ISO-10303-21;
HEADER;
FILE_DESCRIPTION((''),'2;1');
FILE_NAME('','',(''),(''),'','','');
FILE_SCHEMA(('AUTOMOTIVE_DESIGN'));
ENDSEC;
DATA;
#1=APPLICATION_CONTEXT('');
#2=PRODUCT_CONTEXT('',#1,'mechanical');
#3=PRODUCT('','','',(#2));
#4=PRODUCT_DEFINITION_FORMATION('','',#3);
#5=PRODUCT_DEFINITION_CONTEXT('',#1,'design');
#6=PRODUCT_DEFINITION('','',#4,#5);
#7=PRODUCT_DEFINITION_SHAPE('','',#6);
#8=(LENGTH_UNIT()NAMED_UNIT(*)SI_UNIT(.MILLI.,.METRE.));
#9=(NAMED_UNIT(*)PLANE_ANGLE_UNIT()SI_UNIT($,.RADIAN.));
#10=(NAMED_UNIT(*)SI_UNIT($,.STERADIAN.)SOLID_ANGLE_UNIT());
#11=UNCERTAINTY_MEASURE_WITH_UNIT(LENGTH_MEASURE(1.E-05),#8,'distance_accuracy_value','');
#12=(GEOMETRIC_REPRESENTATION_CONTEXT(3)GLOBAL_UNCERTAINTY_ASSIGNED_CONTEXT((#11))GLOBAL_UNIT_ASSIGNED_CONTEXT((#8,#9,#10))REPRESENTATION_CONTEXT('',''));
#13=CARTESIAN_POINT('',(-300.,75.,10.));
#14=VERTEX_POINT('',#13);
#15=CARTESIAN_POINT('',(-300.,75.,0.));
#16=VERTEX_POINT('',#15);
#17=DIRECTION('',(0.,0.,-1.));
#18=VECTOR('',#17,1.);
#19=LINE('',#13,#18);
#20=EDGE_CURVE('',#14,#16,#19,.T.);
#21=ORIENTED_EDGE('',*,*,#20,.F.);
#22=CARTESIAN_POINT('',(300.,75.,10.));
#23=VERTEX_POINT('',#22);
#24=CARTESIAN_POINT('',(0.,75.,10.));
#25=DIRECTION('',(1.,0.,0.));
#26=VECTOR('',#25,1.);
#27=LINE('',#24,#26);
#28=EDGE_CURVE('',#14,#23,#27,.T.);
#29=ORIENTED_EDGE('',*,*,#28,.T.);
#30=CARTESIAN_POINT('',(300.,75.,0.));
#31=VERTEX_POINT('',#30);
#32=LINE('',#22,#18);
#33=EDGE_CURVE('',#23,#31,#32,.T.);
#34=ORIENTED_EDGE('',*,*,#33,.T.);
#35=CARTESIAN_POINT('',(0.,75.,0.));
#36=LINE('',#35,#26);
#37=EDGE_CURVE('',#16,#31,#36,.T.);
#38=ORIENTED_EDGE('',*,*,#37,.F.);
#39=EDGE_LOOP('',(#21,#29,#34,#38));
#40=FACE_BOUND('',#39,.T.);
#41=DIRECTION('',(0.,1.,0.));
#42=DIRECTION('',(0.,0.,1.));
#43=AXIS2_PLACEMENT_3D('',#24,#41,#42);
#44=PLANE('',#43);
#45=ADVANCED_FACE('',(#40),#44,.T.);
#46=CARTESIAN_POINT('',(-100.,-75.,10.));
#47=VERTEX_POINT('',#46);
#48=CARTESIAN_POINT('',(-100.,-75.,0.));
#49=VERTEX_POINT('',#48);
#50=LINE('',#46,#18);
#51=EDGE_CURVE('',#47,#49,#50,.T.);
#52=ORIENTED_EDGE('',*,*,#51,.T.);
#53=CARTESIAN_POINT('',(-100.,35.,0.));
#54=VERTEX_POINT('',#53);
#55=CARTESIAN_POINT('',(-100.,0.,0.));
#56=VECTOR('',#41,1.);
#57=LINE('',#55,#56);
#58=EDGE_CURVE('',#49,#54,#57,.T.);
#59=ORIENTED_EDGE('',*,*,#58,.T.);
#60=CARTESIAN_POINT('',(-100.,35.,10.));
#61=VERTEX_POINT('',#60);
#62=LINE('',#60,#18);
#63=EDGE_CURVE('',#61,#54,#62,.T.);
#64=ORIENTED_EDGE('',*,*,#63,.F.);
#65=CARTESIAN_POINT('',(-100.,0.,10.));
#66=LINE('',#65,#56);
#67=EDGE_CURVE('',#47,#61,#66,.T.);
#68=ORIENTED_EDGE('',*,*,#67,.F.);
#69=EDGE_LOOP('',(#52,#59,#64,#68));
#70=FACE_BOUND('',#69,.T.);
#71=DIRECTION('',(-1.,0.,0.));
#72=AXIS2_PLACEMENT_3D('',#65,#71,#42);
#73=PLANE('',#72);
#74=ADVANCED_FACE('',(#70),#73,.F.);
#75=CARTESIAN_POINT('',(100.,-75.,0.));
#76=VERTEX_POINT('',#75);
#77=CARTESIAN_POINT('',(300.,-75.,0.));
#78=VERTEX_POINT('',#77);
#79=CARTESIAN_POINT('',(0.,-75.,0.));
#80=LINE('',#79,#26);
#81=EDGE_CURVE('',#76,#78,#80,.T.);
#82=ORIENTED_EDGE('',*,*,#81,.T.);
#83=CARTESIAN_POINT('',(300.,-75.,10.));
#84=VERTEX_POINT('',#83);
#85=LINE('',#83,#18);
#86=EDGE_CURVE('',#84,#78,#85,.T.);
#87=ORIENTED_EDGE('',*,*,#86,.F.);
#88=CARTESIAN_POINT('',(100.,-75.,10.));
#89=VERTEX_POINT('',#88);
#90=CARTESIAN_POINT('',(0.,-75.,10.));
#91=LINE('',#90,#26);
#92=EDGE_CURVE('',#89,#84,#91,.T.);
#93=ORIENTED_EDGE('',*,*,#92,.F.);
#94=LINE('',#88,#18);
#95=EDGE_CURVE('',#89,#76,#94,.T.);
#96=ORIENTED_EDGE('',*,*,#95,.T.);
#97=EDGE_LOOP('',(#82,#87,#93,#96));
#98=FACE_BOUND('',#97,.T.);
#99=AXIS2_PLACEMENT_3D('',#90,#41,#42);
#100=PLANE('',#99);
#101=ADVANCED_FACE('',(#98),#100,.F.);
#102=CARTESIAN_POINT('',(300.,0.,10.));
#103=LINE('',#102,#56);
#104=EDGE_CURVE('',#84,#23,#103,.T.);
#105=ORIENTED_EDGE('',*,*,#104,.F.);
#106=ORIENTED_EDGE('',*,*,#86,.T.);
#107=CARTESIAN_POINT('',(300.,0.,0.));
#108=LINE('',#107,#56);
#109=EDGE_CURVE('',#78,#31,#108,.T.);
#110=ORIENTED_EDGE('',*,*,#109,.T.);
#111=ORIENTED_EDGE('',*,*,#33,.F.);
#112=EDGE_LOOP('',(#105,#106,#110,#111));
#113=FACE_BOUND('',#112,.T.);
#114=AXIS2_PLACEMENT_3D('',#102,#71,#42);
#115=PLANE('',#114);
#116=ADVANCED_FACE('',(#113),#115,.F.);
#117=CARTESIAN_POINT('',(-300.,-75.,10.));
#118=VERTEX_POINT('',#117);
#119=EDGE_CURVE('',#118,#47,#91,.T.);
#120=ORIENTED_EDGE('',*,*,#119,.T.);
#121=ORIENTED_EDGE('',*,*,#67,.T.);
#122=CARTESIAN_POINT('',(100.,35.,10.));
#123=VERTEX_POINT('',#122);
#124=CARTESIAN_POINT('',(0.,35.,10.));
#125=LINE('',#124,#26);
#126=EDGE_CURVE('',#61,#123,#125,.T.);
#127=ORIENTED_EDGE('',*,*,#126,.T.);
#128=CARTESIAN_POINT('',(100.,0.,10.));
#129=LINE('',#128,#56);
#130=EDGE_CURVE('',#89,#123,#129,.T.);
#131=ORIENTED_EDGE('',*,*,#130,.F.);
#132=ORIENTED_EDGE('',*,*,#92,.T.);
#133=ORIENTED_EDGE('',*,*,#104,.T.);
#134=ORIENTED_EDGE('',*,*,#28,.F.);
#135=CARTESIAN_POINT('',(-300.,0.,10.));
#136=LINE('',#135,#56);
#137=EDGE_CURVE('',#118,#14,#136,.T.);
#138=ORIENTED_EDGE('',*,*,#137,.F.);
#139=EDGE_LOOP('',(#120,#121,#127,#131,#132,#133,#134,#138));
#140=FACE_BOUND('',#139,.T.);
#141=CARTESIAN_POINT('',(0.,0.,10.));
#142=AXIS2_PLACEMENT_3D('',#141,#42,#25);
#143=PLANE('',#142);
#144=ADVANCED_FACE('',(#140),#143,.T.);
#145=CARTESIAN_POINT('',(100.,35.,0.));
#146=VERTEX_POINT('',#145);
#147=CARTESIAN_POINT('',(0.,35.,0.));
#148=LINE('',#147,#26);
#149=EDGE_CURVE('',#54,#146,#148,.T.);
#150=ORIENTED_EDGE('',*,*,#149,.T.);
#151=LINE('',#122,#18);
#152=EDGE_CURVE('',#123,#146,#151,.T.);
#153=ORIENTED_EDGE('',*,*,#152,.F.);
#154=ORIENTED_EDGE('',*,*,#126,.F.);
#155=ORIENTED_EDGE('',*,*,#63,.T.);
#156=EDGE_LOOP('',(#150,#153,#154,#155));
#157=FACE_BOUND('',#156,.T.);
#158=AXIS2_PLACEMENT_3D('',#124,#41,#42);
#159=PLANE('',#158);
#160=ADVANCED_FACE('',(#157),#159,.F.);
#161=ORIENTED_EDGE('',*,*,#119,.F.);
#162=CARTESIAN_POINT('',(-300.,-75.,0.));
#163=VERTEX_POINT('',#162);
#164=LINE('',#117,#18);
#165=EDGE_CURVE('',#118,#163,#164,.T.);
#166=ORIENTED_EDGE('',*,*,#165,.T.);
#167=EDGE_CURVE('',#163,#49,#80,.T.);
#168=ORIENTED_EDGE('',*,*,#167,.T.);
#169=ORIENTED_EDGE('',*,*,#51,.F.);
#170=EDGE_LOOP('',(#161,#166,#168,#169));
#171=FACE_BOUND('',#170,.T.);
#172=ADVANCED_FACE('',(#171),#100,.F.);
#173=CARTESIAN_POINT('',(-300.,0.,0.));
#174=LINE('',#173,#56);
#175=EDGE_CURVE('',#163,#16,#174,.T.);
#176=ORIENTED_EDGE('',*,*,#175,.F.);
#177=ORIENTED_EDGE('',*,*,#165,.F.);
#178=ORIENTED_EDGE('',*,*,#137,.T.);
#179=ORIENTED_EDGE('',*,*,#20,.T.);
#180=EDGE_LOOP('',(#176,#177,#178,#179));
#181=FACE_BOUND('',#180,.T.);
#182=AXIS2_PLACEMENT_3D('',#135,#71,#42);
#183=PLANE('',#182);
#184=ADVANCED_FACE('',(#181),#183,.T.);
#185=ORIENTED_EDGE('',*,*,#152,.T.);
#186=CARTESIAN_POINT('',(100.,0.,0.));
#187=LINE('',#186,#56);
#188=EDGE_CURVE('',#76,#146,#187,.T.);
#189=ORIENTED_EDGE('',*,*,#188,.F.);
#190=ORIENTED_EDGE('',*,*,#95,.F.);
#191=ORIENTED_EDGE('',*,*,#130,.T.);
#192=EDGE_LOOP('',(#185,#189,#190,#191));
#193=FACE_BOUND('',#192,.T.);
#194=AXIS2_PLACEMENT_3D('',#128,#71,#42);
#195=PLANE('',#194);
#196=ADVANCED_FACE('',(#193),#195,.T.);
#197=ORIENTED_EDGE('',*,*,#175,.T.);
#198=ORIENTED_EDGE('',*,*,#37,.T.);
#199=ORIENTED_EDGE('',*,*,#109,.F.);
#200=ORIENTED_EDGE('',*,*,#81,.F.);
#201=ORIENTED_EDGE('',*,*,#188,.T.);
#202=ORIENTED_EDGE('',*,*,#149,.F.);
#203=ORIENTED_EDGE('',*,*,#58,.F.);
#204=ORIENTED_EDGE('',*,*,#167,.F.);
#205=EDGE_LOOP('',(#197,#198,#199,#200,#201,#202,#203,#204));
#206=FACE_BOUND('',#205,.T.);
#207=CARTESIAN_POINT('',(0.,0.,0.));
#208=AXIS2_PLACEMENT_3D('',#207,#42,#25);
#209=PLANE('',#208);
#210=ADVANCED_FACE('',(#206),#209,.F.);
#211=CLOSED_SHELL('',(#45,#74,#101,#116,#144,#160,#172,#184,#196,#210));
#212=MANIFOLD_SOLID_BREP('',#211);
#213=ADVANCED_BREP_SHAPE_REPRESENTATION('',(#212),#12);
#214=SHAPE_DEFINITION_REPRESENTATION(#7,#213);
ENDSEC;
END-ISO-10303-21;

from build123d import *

# Parameters (mm, degrees)
BOSS_EXTRUDE1_DEPTH = 10


with BuildPart() as part:
    # Sketch1 → Boss-Extrude1 (new body)
    with BuildSketch(Plane.XY):
        Polygon((-300, 75), (-300, -75), (-100, -75), (-100, 35), (100, 35), (100, -75), (300, -75), (300, 75), align=None)
    extrude(amount=BOSS_EXTRUDE1_DEPTH)


solid = part.part
